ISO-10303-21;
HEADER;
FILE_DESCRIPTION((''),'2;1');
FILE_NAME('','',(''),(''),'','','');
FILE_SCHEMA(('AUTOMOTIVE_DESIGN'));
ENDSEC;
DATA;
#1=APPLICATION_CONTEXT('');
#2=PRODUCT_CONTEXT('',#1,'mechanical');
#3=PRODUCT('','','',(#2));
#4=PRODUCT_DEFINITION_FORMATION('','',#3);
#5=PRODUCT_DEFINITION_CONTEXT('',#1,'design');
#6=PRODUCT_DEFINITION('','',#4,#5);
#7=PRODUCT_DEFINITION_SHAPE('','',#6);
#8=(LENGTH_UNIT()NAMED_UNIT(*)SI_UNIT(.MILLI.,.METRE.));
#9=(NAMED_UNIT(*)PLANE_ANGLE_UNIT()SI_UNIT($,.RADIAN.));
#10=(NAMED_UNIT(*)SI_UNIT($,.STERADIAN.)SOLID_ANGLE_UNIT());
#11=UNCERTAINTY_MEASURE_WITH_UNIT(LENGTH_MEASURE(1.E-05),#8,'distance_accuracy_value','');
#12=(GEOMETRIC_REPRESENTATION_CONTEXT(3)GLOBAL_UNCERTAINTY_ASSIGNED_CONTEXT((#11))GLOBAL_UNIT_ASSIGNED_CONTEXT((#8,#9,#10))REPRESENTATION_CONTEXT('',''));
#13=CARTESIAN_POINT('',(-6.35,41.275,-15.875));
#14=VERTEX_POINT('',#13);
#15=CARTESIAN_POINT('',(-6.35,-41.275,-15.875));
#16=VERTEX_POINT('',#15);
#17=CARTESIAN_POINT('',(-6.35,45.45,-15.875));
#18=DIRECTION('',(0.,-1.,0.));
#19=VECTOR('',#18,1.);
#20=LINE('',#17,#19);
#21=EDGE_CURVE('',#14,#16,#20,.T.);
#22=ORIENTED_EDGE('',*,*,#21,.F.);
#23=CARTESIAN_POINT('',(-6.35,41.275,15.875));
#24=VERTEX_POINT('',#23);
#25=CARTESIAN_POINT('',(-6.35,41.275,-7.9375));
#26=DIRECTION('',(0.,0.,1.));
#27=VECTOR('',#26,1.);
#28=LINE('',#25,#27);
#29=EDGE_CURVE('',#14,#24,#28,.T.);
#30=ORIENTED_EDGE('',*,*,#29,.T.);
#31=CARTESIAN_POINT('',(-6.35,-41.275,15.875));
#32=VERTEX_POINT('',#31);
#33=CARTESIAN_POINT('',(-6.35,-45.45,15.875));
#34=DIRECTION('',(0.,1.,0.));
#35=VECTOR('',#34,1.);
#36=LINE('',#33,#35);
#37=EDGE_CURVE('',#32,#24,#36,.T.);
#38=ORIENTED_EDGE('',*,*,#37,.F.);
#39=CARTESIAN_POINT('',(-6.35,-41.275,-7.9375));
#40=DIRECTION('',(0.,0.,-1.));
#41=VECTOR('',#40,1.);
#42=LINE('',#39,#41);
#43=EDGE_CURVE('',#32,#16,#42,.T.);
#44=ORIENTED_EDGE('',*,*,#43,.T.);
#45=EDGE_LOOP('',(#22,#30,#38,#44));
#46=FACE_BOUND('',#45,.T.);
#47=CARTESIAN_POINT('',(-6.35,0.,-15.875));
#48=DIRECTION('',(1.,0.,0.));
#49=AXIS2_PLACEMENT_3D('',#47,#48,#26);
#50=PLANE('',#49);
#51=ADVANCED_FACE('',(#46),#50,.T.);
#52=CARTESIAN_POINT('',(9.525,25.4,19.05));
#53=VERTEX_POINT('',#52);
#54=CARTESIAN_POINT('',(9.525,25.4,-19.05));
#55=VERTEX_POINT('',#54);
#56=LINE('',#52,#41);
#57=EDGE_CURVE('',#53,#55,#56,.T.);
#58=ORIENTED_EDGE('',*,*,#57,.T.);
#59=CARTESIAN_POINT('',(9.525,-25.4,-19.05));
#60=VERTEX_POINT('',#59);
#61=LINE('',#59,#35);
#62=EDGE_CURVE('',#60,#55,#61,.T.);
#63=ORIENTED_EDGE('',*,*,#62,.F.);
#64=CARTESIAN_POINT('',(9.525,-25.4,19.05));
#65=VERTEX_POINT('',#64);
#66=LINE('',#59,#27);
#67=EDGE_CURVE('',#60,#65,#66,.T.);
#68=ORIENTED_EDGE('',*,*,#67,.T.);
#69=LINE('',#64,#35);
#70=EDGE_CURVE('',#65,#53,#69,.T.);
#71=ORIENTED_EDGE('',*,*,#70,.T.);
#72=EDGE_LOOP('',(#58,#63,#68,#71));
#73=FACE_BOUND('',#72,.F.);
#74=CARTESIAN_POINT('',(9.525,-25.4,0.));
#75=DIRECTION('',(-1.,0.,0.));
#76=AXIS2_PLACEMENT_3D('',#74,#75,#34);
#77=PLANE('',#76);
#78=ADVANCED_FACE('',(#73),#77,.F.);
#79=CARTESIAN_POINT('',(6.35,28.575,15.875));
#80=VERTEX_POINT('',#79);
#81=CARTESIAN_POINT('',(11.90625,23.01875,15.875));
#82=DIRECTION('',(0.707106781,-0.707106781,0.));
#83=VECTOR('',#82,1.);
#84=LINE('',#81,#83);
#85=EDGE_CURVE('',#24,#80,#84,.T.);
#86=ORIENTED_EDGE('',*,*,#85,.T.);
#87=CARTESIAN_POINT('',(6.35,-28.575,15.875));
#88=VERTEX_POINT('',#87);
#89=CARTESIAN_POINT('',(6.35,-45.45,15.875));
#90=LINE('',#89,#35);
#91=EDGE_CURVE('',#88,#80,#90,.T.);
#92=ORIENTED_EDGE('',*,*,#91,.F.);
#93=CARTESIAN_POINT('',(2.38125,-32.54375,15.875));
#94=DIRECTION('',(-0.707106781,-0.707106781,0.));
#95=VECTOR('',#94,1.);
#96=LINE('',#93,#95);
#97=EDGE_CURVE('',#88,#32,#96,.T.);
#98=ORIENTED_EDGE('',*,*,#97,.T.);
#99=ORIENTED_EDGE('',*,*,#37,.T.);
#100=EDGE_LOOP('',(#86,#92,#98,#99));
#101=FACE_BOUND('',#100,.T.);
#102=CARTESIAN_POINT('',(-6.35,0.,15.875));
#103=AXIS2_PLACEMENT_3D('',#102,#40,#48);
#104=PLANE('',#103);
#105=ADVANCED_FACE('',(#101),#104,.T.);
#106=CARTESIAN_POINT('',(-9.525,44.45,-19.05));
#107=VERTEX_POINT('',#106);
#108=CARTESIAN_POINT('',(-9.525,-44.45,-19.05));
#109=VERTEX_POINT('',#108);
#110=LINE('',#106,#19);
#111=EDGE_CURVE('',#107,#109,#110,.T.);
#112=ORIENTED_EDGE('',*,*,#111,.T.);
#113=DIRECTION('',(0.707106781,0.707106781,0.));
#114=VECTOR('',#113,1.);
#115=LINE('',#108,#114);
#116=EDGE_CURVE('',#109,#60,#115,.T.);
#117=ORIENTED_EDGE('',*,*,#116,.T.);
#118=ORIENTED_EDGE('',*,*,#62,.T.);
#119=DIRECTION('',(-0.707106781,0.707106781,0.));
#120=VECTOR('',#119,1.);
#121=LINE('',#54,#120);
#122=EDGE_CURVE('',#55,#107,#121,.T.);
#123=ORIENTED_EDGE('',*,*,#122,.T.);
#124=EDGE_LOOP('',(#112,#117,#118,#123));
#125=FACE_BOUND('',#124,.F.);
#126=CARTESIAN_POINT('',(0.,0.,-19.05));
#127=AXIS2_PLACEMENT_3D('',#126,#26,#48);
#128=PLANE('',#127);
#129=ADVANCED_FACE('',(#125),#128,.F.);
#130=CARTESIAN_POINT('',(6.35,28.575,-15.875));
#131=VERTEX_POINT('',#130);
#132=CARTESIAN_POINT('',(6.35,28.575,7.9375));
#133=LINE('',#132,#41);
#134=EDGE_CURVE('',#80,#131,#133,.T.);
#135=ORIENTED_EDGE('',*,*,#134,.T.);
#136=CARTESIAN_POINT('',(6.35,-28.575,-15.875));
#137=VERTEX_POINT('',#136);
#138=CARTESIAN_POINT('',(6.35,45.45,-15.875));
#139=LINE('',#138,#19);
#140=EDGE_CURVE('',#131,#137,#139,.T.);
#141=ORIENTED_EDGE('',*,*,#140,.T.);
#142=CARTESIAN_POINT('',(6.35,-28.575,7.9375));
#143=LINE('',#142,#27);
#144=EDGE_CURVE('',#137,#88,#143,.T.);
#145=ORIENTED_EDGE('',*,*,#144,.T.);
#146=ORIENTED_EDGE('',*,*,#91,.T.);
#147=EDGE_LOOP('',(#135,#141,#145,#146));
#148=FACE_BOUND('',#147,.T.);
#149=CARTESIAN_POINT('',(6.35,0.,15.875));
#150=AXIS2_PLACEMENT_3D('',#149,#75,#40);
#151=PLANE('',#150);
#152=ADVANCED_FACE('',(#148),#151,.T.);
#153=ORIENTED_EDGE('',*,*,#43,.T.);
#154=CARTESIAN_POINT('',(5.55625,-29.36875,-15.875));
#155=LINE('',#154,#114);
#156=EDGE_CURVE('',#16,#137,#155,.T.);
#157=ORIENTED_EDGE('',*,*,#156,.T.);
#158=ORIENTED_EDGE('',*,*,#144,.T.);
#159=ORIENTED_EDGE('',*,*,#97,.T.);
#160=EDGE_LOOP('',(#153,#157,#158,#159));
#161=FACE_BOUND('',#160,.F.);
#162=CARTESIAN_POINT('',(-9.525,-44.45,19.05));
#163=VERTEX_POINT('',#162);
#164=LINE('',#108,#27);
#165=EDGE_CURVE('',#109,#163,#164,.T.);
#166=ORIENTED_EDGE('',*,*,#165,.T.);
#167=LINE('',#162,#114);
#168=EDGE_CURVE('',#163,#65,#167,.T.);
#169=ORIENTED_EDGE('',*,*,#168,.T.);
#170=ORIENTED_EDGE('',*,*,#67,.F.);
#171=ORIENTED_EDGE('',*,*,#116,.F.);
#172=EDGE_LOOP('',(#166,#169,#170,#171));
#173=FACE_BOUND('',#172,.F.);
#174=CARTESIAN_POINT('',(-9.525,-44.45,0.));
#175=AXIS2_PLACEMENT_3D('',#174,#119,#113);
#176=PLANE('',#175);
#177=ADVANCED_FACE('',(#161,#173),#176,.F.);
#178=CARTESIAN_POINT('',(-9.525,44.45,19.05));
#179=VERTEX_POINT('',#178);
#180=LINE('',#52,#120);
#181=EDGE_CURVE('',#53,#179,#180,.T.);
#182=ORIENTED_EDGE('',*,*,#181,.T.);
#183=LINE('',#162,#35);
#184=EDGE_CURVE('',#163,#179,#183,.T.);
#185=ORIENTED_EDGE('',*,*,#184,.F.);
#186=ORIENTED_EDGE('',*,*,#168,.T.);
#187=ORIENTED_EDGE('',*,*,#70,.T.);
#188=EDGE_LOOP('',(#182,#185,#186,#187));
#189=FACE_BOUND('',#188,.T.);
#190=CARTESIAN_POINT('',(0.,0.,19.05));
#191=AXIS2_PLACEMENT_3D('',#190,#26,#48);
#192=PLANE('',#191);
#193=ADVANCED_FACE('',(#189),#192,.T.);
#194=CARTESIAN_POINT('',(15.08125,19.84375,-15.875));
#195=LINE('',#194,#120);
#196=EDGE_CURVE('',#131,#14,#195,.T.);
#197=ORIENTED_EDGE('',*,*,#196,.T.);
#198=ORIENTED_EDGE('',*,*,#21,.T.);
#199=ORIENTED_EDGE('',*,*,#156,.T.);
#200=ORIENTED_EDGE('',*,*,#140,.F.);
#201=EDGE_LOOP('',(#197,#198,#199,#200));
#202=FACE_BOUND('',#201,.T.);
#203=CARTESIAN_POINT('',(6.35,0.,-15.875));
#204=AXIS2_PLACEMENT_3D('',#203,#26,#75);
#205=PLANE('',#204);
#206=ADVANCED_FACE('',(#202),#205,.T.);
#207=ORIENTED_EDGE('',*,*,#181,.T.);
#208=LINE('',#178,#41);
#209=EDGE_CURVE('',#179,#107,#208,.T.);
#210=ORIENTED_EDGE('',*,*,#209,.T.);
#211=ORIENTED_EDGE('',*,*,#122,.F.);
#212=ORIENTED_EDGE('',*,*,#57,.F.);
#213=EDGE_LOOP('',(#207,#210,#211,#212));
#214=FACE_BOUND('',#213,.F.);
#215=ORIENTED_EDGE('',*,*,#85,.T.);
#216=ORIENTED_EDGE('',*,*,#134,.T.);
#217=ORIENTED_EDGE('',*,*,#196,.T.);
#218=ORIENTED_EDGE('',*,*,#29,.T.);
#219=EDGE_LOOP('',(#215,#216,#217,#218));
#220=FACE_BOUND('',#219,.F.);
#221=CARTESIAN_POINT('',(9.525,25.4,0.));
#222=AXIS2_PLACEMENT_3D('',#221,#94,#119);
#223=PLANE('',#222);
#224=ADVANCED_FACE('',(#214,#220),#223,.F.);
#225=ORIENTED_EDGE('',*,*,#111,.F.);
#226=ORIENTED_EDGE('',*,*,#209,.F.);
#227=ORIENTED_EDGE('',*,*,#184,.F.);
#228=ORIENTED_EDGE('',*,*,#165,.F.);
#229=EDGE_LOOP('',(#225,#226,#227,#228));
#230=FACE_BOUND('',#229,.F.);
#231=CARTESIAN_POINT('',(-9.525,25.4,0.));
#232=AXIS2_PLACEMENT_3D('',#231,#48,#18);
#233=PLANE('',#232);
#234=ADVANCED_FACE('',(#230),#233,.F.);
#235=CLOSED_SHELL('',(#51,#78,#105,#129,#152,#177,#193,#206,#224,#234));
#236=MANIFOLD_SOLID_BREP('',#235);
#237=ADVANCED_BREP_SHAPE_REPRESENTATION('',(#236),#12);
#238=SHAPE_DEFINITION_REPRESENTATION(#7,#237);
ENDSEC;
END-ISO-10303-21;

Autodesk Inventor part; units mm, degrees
ref_plane "YZ Plane" through (0, 0, 0) normal (1, 0, 0) x (0, 1, 0)
ref_plane "XZ Plane" through (0, 0, 0) normal (0, 1, 0) x (-1, 0, 0)
ref_plane "XY Plane" through (0, 0, 0) normal (0, 0, 1) x (1, 0, 0)
sketch "Sketch1" plane through (0, 0, 0) normal (0, 0, 1) x (1, 0, 0)
  line L0 (-9.525, -25.4) -> (9.525, -25.4)
  line L1 (9.525, -25.4) -> (9.525, 25.4)
  line L2 (9.525, 25.4) -> (-9.525, 25.4)
  line L3 (-9.525, 25.4) -> (-9.525, -25.4)
  line L4 (-9.525, -25.4) -> (9.525, 25.4) construction
  line L5 (9.525, -25.4) -> (-9.525, 25.4) construction
  line L6 (9.525, 25.4) -> (-9.525, 44.45)
  line L7 (-9.525, 44.45) -> (-9.525, 25.4)
  line L8 (-9.525, -25.4) -> (-9.525, -44.45)
  line L9 (-9.525, -44.45) -> (9.525, -25.4)
  point P0 (0, 0)
  dimension "d0" = 19.05
  dimension "d1" = 45
  dimension "d2" = 45
  dimension "d10" = 88.9
extrude "Extrusion1" add sketch "Sketch1" along normal mid plane 38.1
sketch "Sketch2" plane through (0, 0, 0) normal (0, 1, 0) x (-1, 0, 0)
  line L0 (6.35, 15.875) -> (-6.35, 15.875)
  line L1 (-6.35, 15.875) -> (-6.35, -15.875)
  line L2 (-6.35, -15.875) -> (6.35, -15.875)
  line L3 (6.35, -15.875) -> (6.35, 15.875)
  line L4 (6.35, 15.875) -> (-6.35, -15.875) construction
  line L5 (-6.35, 15.875) -> (6.35, -15.875) construction
  line L6 (-9.525, -19.05) -> (-9.525, 19.05) projected
  line L7 (-9.525, -19.05) -> (9.525, -19.05) projected
  point P0 (0, 0)
  dimension "d6" = 3.175
  dimension "d7" = 3.175
extrude "Extrusion2" cut sketch "Sketch2" along normal through all both and the other way through all
equation "\"d0\" = width"
equation "\"d10\" = length"
equation "\"d3\" = longSide"
equation "\"d8\" = longSide"
equation "\"width\" = 19.05"
equation "\"longSide\" = 38.1"
equation "\"length\" = 88.9"
properties part number "45dege0_75x1.50ForTopOfShooter" material "Aluminum 6061"
